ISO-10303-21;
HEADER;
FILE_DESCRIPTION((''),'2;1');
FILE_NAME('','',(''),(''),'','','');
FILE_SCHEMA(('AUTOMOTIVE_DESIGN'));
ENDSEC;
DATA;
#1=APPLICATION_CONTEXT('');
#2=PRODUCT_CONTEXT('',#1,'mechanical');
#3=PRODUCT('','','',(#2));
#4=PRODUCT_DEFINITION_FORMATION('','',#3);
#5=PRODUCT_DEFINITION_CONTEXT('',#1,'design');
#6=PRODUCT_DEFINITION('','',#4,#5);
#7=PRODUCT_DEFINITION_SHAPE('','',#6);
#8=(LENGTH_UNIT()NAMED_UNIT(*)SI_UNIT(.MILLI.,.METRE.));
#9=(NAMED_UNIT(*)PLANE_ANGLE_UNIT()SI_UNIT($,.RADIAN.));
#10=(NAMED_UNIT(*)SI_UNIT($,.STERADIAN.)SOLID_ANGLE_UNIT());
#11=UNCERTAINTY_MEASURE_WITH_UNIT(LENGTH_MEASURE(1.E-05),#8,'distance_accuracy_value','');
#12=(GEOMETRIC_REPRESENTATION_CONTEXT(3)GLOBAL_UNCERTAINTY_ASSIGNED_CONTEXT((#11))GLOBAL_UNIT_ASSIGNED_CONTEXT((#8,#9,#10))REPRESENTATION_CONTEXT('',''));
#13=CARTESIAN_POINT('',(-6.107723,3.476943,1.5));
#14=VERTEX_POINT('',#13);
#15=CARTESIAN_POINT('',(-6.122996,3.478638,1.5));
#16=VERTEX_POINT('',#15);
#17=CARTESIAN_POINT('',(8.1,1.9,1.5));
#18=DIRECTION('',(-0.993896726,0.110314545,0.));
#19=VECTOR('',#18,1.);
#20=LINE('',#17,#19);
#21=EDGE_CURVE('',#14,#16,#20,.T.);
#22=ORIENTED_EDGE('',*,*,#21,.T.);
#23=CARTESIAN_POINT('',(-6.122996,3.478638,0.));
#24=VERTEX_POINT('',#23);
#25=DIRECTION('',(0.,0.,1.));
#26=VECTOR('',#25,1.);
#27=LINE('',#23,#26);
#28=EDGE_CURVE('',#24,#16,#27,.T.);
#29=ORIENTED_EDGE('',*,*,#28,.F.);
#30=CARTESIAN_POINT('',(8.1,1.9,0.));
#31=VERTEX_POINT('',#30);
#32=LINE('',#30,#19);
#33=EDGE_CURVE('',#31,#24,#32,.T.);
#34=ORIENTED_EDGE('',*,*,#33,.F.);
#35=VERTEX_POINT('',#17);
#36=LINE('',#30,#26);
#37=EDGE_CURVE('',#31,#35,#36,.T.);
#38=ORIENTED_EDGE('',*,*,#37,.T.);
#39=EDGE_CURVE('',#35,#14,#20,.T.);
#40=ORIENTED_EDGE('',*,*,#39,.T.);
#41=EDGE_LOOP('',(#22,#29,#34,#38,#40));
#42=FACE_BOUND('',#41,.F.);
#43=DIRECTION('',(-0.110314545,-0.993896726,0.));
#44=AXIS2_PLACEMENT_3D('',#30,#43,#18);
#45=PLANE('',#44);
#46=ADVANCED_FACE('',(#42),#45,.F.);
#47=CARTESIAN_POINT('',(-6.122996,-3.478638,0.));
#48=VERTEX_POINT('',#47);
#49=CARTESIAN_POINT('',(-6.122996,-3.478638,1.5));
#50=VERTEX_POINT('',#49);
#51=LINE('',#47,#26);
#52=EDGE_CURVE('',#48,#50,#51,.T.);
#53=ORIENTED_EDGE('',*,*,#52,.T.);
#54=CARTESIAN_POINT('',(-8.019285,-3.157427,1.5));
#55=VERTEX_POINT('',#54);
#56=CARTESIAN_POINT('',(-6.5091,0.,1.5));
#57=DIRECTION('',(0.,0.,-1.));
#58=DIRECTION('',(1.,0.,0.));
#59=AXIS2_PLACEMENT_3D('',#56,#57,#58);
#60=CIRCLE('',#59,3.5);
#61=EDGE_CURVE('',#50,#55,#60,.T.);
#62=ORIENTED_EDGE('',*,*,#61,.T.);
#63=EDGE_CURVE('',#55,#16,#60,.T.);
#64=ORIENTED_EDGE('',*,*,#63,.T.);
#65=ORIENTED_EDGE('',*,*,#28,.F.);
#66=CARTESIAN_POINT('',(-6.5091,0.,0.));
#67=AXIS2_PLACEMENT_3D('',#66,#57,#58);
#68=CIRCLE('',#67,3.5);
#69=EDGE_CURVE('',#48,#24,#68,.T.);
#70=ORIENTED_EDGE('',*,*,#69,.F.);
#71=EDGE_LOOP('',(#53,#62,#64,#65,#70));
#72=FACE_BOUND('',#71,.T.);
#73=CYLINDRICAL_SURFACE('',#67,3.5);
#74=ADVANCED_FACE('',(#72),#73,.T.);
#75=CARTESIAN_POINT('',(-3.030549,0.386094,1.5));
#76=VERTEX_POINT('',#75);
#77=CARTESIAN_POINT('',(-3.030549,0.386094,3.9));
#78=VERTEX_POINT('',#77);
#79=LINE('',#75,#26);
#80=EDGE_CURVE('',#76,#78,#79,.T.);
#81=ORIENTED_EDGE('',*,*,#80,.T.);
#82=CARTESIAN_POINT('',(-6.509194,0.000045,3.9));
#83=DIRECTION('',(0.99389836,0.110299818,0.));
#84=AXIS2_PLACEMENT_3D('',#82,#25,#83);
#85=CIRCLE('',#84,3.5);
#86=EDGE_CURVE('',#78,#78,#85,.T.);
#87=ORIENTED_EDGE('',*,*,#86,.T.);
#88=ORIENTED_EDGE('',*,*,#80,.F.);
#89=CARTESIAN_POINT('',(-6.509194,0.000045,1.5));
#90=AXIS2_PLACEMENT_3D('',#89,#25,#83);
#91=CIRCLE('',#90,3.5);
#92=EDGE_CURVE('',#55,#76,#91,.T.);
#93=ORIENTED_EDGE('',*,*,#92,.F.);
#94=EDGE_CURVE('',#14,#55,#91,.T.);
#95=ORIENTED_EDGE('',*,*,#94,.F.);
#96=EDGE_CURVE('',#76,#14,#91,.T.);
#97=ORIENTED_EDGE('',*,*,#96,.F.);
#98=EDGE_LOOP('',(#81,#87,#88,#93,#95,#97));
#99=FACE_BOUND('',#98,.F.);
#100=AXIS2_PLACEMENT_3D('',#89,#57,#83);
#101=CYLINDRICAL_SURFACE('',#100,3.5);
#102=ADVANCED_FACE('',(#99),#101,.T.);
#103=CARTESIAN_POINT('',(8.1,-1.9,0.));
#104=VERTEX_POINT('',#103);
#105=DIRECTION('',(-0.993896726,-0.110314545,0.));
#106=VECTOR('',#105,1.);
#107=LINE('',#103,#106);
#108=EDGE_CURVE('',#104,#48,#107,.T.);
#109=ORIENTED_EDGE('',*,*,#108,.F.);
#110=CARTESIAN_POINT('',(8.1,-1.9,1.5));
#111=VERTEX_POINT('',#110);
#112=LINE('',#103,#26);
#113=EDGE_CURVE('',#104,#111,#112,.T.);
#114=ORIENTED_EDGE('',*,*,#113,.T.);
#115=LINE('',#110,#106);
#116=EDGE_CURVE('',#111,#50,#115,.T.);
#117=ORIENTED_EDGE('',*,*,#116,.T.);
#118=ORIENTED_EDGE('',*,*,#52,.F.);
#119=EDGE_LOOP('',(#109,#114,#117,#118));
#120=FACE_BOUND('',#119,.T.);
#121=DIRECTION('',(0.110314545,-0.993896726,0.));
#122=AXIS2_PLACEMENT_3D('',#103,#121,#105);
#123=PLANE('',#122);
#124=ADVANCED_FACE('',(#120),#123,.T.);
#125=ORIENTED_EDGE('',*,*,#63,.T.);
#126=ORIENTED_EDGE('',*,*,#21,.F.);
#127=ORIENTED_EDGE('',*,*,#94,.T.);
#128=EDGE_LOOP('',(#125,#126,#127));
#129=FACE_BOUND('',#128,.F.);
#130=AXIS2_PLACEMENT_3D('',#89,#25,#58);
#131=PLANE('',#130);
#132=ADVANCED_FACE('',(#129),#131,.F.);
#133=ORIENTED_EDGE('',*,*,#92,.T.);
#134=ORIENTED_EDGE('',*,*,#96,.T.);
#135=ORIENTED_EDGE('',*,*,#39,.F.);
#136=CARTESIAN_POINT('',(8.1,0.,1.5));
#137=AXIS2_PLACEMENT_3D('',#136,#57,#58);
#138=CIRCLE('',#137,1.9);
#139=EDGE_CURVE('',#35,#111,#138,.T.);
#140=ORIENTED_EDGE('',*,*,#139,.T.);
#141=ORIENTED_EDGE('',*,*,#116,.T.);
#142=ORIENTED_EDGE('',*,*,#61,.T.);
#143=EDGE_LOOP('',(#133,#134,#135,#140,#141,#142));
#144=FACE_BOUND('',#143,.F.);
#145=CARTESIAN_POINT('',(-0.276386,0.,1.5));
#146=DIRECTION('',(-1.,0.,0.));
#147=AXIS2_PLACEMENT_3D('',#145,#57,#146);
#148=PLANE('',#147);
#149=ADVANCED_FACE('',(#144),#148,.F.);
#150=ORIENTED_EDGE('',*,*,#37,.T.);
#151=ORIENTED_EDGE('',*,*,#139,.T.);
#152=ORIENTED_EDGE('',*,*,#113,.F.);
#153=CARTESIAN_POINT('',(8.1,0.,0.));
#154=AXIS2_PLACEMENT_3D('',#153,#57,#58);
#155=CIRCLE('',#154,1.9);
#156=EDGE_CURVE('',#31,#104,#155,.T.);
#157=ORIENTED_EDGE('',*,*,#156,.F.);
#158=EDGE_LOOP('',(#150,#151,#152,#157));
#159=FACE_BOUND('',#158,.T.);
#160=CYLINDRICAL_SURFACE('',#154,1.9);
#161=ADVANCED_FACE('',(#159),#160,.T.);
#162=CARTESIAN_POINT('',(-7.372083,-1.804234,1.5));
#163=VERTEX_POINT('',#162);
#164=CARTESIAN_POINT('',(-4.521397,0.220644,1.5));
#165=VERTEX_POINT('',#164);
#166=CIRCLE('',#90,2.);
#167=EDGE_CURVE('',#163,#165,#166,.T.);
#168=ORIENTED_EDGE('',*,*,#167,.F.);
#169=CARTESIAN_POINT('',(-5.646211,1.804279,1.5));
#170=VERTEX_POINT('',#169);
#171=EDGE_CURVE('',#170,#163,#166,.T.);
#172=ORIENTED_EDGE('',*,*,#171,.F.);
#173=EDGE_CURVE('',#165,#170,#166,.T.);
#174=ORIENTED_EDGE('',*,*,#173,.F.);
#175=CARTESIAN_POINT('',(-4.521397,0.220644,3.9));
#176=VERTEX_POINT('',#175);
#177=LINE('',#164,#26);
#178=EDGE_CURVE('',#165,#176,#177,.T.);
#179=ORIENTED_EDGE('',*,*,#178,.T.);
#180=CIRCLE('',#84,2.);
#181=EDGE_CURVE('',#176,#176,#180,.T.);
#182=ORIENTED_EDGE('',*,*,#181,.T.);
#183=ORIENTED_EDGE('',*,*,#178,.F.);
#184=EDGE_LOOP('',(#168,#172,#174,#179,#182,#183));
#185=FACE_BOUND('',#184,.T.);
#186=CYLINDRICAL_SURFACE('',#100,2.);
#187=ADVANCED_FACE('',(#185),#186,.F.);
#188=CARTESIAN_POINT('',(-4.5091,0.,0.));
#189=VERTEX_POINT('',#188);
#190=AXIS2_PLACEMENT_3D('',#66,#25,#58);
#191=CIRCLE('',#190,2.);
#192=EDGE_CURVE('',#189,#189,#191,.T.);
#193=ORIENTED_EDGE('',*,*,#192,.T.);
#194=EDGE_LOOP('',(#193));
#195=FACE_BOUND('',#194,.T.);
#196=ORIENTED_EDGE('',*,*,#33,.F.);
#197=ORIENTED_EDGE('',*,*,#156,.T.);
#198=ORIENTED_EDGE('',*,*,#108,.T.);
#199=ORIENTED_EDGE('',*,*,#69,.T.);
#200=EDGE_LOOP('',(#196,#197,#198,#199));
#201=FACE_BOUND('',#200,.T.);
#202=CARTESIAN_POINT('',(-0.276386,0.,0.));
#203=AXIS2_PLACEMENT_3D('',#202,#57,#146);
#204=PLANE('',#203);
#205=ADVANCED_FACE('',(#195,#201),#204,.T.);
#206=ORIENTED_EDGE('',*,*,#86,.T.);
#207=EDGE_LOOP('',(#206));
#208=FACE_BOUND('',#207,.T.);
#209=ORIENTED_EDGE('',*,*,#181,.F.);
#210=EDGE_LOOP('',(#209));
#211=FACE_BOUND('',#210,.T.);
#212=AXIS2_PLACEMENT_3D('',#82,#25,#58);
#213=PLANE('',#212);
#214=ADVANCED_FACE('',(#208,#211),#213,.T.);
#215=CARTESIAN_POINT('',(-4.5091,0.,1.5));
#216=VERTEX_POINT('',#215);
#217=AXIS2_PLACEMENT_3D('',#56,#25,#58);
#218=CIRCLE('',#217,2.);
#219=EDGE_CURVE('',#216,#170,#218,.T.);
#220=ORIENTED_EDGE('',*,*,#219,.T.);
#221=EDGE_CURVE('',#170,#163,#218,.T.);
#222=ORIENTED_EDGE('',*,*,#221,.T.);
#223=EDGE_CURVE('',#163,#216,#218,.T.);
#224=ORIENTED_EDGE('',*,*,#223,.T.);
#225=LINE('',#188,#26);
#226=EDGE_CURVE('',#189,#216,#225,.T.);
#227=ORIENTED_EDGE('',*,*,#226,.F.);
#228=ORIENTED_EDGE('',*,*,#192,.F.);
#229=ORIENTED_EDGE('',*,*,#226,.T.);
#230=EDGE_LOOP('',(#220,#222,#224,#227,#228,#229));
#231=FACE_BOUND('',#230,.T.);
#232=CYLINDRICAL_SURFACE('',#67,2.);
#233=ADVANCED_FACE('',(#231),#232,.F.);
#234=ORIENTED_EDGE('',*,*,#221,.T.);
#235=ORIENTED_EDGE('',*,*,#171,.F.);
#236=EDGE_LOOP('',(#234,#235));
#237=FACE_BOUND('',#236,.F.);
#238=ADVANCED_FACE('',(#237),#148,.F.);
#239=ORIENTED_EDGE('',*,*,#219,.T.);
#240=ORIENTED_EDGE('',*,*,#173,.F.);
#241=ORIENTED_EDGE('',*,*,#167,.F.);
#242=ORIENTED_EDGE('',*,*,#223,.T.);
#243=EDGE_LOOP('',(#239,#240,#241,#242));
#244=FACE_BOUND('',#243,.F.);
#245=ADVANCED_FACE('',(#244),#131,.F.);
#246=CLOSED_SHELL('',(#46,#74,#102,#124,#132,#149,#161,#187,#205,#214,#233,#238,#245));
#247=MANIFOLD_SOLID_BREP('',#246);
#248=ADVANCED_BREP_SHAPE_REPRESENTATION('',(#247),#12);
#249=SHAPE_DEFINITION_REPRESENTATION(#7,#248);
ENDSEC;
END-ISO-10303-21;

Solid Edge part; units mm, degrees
sketch "Sketch1" plane through (0, 0, 0) normal (0, 0, 1) x (1, 0, 0)
  line L0 (8.1, -1.9) -> (-6.123, -3.4786)
  line L1 (8.1, 1.9) -> (-6.123, 3.4786)
  arc A0 (-6.123, -3.4786) -> (-6.123, 3.4786) centre (-6.5091, 0) cw
  arc A1 (8.1, 1.9) -> (8.1, -1.9) centre (8.1, 0) cw
  circle A2 centre (-6.5091, 0) radius 2
extrude "Protrusion1" add sketch "Sketch1" along normal blind 1.5
sketch "Sketch2" plane through (-0.0046, 0, 1.5) normal (0, 0, 1) x (0.9939, 0.1103, 0)
  circle A0 centre (-6.4649, 0.7175) radius 3.5
  circle A1 centre (-6.4649, 0.7175) radius 2
extrude "Wyciągnięcie_2" add sketch "Sketch2" along normal blind 2.4
